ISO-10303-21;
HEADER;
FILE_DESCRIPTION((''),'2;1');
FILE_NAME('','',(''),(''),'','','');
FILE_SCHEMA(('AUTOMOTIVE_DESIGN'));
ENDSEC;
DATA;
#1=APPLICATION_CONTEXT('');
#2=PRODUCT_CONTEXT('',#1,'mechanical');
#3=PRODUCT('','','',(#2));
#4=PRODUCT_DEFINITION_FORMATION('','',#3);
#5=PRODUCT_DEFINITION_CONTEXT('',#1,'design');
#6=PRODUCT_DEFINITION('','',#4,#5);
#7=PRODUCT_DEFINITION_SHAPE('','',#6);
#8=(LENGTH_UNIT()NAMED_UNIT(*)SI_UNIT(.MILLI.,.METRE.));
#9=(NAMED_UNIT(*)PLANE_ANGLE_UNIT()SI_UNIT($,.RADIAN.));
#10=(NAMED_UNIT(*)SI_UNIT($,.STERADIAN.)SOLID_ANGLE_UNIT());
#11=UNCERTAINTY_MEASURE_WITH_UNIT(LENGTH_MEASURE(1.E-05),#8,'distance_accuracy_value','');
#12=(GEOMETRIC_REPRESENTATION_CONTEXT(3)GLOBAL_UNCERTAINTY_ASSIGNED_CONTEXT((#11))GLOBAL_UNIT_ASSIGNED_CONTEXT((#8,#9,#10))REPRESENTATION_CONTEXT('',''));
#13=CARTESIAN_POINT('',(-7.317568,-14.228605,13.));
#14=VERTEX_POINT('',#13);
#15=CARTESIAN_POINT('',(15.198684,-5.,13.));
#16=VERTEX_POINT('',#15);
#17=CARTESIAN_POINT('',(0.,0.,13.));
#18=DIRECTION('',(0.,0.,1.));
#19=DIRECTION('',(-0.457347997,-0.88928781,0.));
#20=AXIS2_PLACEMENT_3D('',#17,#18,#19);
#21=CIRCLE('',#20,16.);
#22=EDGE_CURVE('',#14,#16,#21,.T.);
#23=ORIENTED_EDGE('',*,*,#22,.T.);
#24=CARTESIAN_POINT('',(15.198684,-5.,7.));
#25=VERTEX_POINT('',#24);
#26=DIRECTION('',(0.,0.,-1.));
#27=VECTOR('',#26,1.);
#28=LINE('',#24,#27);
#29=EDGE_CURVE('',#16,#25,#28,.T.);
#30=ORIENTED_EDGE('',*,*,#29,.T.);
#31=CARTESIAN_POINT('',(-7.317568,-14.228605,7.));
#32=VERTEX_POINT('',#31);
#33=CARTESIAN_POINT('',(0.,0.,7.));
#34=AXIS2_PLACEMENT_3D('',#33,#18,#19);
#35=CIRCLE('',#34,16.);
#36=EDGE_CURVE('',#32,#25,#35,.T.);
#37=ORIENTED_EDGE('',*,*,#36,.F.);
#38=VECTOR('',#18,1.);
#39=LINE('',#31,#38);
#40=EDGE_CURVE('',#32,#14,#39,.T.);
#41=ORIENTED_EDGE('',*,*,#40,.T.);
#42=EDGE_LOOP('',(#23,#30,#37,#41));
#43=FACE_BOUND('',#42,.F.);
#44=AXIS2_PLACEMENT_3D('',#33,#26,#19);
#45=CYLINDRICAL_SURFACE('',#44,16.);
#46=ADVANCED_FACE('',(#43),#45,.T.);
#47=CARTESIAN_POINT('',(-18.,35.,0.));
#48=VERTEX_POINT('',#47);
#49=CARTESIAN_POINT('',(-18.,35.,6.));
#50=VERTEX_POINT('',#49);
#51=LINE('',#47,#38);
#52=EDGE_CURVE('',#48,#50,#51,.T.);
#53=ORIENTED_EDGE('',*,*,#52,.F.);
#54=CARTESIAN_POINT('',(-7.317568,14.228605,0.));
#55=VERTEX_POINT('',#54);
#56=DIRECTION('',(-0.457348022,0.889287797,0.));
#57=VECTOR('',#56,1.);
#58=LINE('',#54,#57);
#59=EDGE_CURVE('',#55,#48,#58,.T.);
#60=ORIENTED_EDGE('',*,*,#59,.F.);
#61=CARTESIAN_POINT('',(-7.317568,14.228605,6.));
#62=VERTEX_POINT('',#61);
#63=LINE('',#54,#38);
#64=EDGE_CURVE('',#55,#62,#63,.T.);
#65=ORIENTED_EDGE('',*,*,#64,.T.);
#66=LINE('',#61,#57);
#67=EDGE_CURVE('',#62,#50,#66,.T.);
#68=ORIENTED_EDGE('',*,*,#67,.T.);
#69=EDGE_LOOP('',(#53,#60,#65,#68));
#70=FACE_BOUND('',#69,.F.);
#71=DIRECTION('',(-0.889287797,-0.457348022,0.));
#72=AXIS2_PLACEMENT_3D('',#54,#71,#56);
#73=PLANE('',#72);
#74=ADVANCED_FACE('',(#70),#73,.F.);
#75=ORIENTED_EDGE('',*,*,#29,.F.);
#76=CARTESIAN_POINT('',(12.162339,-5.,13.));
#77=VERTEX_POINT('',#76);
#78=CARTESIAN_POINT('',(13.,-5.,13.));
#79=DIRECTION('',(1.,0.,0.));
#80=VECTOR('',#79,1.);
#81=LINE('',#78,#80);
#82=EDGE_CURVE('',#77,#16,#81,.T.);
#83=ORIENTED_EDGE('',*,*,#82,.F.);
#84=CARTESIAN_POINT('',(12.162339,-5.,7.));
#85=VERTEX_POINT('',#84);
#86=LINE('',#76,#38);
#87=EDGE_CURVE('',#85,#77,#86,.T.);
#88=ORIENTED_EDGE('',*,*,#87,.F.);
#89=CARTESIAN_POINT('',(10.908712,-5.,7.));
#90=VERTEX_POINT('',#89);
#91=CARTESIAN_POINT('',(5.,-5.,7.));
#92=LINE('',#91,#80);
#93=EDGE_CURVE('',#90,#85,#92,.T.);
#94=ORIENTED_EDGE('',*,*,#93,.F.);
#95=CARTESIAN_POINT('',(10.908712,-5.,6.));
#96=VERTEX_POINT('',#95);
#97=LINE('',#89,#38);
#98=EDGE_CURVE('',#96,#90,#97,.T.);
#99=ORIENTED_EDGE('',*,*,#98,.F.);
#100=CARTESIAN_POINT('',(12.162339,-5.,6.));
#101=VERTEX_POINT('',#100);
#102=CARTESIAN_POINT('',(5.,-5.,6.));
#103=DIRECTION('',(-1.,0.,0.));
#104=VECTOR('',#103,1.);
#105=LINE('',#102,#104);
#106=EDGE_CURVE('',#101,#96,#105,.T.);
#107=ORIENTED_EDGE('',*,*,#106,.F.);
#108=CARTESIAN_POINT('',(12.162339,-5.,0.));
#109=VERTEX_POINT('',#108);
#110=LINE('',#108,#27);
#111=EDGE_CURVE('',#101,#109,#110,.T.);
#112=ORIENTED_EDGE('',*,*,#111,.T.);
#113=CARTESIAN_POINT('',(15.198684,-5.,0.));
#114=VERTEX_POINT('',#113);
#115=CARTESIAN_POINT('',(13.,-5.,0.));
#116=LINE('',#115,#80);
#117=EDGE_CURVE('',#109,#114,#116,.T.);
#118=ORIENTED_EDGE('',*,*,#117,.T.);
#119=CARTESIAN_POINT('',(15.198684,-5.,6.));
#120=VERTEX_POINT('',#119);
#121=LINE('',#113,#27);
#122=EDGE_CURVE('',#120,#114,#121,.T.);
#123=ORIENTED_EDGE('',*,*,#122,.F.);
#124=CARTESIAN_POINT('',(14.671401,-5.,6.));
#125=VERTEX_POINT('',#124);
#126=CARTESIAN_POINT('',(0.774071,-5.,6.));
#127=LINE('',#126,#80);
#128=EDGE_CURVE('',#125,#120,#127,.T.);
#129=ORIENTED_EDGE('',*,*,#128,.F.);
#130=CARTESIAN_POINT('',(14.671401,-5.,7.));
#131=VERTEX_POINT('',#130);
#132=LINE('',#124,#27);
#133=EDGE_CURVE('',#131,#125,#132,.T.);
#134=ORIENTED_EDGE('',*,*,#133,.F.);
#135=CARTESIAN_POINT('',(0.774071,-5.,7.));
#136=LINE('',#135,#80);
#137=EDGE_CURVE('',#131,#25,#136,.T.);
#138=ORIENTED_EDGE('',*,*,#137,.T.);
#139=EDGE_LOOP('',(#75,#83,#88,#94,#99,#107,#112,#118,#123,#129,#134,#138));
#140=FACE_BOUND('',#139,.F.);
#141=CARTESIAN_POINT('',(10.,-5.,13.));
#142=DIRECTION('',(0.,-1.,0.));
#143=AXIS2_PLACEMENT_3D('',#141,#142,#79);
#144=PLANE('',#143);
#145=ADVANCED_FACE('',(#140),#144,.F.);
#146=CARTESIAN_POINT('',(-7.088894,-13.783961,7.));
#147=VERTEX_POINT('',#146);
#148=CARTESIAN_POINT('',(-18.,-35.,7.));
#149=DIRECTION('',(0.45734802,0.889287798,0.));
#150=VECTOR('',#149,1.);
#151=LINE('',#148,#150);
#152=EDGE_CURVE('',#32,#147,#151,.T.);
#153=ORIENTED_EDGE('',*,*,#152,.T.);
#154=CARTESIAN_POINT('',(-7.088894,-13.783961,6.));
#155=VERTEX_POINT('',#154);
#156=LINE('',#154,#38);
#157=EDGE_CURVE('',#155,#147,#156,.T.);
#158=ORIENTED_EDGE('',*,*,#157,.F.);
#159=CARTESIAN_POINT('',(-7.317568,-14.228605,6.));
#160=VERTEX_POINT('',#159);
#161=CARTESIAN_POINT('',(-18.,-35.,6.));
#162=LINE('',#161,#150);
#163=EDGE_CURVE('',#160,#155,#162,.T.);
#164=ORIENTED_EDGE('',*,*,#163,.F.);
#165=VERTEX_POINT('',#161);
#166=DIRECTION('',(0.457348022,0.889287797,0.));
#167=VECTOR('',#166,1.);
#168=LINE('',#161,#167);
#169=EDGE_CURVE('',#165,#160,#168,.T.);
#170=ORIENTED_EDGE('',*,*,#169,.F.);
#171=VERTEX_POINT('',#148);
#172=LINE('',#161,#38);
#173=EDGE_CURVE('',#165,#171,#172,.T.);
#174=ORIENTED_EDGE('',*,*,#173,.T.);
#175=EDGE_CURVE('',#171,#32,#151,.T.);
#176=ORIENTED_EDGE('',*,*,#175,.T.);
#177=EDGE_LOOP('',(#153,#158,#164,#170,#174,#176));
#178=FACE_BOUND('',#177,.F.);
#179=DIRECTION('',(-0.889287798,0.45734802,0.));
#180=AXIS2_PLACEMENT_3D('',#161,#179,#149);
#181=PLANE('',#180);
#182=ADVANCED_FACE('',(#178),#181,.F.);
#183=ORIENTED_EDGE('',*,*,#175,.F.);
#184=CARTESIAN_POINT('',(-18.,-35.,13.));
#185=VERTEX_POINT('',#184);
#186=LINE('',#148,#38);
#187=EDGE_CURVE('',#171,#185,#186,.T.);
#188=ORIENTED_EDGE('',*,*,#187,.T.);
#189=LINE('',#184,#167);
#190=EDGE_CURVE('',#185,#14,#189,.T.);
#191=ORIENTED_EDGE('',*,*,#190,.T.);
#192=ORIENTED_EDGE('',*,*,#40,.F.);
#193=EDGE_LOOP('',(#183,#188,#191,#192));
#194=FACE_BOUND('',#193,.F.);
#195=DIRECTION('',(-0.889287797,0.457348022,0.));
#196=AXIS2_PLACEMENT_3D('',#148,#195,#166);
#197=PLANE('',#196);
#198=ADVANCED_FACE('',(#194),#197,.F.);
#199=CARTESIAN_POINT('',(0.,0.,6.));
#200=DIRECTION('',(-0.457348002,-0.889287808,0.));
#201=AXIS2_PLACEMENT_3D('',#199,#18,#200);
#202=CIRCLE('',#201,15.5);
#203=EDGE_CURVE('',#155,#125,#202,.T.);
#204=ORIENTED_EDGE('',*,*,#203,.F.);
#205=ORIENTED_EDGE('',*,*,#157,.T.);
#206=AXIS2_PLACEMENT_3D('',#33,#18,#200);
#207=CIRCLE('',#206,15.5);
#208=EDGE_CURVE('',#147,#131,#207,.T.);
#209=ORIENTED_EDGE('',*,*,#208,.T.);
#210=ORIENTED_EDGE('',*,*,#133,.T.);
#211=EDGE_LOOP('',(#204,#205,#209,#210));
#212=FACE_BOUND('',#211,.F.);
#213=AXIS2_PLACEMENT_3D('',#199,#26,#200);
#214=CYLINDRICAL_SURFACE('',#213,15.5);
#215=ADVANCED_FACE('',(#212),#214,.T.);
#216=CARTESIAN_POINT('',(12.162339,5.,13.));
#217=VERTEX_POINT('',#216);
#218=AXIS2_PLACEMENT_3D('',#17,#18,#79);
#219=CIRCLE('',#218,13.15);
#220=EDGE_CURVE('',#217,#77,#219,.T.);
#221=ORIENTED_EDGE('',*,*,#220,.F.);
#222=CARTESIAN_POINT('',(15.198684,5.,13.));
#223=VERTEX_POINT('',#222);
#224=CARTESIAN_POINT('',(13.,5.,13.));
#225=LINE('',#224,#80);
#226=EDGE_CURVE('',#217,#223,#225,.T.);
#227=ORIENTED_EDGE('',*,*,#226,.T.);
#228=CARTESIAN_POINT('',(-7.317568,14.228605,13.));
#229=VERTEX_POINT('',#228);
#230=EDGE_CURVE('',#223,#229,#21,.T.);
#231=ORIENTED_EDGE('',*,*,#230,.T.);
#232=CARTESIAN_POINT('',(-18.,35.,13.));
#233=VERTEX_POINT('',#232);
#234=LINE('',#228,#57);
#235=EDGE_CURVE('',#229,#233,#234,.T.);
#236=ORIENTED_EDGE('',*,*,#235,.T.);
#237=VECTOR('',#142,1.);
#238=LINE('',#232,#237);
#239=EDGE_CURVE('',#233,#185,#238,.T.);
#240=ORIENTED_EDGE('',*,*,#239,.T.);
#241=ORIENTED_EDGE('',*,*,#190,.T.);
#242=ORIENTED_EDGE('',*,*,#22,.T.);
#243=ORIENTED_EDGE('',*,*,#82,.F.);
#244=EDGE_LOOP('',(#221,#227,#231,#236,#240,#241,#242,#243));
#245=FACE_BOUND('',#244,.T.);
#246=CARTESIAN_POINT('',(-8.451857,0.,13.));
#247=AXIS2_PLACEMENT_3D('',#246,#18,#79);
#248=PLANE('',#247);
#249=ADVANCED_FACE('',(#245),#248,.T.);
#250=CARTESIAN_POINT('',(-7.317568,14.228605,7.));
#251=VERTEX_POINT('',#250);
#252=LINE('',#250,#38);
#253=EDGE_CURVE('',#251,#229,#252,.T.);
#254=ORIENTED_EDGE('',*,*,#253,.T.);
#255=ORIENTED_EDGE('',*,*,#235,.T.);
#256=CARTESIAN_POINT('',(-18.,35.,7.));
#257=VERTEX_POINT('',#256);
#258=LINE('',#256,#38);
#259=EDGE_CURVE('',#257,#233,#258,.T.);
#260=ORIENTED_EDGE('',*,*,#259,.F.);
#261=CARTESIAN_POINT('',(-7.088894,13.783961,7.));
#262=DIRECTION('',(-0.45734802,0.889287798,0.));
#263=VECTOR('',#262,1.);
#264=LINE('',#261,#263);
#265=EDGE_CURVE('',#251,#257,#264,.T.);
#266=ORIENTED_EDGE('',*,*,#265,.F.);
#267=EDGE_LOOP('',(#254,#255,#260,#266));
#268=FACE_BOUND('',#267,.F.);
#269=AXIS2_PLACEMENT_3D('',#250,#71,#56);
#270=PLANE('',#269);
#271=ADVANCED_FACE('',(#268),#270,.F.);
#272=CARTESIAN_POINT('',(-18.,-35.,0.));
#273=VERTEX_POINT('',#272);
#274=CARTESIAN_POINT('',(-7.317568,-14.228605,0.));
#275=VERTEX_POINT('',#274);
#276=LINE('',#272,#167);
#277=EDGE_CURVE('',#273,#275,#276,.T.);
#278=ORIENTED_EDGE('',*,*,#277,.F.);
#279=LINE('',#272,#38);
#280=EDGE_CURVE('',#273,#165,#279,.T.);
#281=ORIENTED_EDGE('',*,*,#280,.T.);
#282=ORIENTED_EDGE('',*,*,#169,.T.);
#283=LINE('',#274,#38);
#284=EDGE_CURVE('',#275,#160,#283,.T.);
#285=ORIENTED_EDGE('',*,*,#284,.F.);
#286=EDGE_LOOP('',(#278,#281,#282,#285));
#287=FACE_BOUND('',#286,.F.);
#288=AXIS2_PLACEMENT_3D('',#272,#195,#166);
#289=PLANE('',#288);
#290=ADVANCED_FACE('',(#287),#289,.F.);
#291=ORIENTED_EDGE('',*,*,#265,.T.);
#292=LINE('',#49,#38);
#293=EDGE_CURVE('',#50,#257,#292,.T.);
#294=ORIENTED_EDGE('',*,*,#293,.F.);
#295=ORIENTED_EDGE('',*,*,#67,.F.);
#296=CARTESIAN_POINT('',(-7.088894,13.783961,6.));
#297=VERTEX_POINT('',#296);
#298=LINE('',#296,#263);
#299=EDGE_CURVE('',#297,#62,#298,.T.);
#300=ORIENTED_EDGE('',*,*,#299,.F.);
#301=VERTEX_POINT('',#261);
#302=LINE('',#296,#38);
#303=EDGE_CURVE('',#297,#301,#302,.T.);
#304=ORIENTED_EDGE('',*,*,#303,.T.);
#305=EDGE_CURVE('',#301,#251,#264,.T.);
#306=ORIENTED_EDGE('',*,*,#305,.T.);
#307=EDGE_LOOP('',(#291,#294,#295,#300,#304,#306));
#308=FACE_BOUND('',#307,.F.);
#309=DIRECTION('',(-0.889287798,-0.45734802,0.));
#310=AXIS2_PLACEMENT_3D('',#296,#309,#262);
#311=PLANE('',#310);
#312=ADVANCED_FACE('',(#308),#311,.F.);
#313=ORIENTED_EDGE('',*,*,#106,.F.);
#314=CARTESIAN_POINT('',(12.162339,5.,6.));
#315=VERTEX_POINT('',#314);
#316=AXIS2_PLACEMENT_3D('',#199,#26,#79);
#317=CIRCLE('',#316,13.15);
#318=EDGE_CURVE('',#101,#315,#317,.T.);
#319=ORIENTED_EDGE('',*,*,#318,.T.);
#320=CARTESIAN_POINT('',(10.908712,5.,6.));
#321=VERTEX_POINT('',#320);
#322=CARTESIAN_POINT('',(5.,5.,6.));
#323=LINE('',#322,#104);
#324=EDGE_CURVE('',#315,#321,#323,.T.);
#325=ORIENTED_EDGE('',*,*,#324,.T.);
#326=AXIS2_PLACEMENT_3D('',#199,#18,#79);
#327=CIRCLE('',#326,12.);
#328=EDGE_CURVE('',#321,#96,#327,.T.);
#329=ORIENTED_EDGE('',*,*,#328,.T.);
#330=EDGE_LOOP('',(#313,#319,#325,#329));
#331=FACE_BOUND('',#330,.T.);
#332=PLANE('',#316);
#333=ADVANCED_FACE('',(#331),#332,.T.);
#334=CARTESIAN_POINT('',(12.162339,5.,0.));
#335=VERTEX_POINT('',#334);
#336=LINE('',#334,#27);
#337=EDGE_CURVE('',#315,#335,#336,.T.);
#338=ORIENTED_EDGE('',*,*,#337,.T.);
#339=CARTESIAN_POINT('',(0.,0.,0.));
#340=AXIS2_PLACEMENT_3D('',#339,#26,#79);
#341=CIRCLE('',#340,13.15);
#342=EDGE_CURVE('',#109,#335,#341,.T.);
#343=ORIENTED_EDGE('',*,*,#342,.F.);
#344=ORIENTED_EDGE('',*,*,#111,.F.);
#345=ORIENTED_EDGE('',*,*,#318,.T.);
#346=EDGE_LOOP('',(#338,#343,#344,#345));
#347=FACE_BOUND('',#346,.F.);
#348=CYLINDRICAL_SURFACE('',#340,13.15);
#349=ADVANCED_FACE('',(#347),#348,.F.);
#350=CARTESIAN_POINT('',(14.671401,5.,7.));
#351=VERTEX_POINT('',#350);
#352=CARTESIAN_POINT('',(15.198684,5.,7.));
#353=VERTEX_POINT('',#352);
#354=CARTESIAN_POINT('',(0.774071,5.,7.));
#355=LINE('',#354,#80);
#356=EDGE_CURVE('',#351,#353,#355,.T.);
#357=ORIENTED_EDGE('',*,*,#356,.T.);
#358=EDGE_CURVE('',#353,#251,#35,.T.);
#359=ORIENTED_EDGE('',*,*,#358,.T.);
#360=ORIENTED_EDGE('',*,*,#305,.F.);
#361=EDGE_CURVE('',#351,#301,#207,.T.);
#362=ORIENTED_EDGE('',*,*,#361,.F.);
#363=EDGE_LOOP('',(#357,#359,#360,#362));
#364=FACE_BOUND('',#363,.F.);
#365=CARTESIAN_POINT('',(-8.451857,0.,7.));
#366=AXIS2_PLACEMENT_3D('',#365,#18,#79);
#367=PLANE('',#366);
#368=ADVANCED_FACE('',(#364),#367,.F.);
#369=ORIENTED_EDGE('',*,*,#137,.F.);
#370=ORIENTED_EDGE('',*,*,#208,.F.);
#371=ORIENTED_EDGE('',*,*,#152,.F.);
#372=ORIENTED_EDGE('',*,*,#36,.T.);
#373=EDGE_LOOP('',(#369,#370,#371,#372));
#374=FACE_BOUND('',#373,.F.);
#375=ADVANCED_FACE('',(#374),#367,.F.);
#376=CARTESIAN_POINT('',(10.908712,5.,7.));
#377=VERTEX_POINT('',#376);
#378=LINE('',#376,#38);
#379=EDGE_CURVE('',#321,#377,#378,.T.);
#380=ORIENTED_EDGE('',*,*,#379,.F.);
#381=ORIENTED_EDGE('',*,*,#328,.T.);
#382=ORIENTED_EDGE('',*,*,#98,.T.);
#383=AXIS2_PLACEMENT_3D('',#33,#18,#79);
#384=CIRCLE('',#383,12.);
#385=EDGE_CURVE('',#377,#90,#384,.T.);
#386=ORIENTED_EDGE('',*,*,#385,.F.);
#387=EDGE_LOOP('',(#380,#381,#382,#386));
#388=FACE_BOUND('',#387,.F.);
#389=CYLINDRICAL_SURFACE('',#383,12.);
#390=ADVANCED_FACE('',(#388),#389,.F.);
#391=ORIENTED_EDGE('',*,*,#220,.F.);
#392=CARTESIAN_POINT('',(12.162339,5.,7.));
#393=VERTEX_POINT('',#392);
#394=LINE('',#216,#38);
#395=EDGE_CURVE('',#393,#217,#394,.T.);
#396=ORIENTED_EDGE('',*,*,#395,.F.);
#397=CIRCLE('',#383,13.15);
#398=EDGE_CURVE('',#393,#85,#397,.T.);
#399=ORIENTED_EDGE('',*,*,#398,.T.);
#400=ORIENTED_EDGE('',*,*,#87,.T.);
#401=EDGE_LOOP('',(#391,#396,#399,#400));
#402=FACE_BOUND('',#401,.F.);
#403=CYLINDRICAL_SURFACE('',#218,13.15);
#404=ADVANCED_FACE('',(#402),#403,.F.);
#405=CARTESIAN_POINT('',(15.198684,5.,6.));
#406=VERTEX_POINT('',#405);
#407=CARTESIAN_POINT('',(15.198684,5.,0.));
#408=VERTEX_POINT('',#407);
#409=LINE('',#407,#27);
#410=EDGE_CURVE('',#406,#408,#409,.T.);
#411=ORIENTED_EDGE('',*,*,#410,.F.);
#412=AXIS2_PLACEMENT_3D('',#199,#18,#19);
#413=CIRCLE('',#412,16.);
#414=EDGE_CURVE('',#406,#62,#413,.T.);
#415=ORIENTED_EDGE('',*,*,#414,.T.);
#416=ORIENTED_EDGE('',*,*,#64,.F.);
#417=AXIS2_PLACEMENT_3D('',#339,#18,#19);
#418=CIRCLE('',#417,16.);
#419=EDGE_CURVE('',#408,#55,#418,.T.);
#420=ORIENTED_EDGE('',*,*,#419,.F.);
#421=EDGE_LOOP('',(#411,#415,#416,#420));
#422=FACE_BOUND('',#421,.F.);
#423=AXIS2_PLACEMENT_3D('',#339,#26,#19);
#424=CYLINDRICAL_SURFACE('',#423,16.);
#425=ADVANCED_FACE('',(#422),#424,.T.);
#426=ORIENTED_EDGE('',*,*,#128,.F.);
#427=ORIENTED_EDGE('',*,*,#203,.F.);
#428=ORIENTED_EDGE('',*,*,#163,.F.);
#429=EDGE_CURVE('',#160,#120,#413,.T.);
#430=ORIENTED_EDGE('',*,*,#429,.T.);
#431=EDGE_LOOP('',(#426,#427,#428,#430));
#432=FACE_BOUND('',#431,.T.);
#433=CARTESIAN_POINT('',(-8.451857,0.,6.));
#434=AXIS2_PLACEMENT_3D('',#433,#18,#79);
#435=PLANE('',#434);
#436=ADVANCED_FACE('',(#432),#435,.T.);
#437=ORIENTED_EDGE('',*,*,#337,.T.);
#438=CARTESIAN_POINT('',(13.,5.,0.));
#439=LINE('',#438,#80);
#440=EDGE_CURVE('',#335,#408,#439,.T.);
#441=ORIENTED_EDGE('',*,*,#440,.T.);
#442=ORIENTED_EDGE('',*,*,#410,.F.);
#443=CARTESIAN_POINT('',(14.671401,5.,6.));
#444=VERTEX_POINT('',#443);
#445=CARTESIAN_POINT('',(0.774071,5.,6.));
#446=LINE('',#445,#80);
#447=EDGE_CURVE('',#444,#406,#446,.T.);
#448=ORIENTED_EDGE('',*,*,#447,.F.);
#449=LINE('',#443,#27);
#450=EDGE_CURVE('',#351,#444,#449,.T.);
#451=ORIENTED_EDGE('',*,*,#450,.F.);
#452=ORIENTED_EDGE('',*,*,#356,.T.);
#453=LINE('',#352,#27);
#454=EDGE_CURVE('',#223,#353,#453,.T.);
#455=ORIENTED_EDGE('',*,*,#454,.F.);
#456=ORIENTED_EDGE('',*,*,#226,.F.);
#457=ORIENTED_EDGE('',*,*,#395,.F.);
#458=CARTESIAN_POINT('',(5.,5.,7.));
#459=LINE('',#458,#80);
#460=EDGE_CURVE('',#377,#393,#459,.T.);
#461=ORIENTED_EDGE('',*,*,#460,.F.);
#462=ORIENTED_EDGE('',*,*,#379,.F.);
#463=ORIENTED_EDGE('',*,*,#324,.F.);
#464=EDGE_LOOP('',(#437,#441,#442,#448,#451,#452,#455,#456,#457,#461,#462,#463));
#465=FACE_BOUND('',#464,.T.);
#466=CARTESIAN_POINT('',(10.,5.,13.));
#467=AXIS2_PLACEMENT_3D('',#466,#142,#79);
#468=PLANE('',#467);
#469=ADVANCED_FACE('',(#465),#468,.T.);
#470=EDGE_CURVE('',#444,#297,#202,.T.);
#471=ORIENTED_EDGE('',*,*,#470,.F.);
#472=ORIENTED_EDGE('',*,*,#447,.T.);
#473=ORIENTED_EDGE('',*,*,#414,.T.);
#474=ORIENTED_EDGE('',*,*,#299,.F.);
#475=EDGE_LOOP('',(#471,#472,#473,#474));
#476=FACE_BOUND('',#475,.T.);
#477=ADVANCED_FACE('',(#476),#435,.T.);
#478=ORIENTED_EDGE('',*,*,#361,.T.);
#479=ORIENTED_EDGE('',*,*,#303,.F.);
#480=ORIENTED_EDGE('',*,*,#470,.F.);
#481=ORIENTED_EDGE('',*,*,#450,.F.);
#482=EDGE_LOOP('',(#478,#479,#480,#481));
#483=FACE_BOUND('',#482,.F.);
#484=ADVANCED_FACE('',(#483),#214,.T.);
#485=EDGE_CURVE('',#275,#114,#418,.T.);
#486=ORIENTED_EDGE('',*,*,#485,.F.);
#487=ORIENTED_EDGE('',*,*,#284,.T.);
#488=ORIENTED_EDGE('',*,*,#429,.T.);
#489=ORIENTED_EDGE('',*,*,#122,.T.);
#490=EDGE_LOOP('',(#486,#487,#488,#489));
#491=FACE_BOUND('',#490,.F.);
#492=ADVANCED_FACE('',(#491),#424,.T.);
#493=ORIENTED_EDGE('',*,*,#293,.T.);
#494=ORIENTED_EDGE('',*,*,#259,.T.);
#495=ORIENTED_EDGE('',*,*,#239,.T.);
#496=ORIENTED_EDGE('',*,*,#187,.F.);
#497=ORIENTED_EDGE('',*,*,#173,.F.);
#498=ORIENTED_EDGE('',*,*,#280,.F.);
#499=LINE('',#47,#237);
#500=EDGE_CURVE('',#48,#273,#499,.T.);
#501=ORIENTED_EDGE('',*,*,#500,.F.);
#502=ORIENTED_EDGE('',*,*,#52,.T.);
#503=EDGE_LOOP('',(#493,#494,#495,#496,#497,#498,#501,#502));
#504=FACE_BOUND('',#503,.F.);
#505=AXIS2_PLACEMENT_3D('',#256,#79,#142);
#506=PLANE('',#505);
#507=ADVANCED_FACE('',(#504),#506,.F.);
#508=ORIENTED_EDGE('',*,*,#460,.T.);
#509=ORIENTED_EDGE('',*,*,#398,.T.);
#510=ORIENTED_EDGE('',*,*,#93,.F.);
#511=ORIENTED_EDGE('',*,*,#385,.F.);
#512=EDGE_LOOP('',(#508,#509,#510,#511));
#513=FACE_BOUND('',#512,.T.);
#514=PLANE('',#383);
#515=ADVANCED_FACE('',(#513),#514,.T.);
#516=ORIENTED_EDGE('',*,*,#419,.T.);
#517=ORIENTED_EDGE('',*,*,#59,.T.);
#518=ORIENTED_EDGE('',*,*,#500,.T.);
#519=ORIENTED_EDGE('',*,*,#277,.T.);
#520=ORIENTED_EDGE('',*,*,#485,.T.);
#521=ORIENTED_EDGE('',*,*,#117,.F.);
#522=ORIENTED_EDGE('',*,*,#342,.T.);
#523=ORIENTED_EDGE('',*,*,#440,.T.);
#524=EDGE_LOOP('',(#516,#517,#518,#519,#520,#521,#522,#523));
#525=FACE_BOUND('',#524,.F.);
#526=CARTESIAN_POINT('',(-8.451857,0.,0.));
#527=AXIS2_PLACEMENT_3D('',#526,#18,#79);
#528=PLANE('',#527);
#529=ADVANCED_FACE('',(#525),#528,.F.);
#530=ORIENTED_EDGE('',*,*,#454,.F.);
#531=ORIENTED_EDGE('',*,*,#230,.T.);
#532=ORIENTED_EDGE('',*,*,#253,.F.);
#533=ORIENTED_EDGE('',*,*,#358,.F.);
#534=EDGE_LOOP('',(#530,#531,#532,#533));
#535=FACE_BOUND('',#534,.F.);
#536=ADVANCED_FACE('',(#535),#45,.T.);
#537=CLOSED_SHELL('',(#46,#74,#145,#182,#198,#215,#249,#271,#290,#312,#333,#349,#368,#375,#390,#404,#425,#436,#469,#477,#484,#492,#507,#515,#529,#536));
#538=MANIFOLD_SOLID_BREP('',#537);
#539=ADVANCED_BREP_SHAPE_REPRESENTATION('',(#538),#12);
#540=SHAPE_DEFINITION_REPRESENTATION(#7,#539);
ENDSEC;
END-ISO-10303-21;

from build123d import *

# Parameters (mm, degrees)
PAD_DEPTH       = 6
PAD001_DEPTH    = 1
PAD002_DEPTH    = 6
SKETCH003_R     = 13.15
POCKET_DEPTH    = 6
SKETCH004_R     = 13.15
POCKET001_DEPTH = 6
SKETCH005_R     = 12
POCKET002_DEPTH = 1
SKETCH006_W     = 6
SKETCH006_H     = 10
POCKET003_DEPTH = 13


with BuildPart() as part:
    # Sketch → Pad (new body)
    with BuildSketch(Plane.XY):
        with BuildLine():
            Line((-7.317568, 14.228605), (-18, 35))
            Line((-18, 35), (-18, -35))
            Line((-18, -35), (-7.317568, -14.228605))
            ThreePointArc((-7.317568, -14.228605), (16, 0), (-7.317568, 14.228605))
        make_face()
    extrude(amount=PAD_DEPTH)

    # Sketch001 (on Face6 of Pad) → Pad001 (join)
    with BuildSketch(Plane.XY.offset(6)):
        with BuildLine():
            Line((-7.088894, 13.783961), (-18, 35))
            Line((-18, 35), (-18, -35))
            Line((-18, -35), (-7.088894, -13.783961))
            ThreePointArc((-7.088894, -13.783961), (15.5, 0), (-7.088894, 13.783961))
        make_face()
    extrude(amount=PAD001_DEPTH)

    # Sketch002 (on Face10 of Pad001) → Pad002 (join)
    with BuildSketch(Plane.XY.offset(7)):
        with BuildLine():
            Line((-7.317568, 14.228605), (-18, 35))
            Line((-18, 35), (-18, -35))
            Line((-18, -35), (-7.317568, -14.228605))
            ThreePointArc((-7.317568, -14.228605), (16, 0), (-7.317568, 14.228605))
        make_face()
    extrude(amount=PAD002_DEPTH)

    # Sketch003 (on Face4 of Pad002) → Pocket (cut)
    with BuildSketch(Plane(origin=(0, 0, 0), x_dir=(1, 0, 0), z_dir=(0, 0, -1))):
        Circle(SKETCH003_R)
    extrude(amount=-POCKET_DEPTH, mode=Mode.SUBTRACT)

    # Sketch004 (on Face17 of Pocket) → Pocket001 (cut)
    with BuildSketch(Plane.XY.offset(13)):
        Circle(SKETCH004_R)
    extrude(amount=-POCKET001_DEPTH, mode=Mode.SUBTRACT)

    # Sketch005 (on Face20 of Pocket001) → Pocket002 (cut)
    with BuildSketch(Plane.XY.offset(7)):
        Circle(SKETCH005_R)
    extrude(amount=-POCKET002_DEPTH, mode=Mode.SUBTRACT)

    # Sketch006 (on Face17 of Pocket002) → Pocket003 (cut)
    with BuildSketch(Plane.XY.offset(13)):
        with Locations((13, 0)):
            Rectangle(SKETCH006_W, SKETCH006_H)
    extrude(amount=-POCKET003_DEPTH, mode=Mode.SUBTRACT)


solid = part.part
